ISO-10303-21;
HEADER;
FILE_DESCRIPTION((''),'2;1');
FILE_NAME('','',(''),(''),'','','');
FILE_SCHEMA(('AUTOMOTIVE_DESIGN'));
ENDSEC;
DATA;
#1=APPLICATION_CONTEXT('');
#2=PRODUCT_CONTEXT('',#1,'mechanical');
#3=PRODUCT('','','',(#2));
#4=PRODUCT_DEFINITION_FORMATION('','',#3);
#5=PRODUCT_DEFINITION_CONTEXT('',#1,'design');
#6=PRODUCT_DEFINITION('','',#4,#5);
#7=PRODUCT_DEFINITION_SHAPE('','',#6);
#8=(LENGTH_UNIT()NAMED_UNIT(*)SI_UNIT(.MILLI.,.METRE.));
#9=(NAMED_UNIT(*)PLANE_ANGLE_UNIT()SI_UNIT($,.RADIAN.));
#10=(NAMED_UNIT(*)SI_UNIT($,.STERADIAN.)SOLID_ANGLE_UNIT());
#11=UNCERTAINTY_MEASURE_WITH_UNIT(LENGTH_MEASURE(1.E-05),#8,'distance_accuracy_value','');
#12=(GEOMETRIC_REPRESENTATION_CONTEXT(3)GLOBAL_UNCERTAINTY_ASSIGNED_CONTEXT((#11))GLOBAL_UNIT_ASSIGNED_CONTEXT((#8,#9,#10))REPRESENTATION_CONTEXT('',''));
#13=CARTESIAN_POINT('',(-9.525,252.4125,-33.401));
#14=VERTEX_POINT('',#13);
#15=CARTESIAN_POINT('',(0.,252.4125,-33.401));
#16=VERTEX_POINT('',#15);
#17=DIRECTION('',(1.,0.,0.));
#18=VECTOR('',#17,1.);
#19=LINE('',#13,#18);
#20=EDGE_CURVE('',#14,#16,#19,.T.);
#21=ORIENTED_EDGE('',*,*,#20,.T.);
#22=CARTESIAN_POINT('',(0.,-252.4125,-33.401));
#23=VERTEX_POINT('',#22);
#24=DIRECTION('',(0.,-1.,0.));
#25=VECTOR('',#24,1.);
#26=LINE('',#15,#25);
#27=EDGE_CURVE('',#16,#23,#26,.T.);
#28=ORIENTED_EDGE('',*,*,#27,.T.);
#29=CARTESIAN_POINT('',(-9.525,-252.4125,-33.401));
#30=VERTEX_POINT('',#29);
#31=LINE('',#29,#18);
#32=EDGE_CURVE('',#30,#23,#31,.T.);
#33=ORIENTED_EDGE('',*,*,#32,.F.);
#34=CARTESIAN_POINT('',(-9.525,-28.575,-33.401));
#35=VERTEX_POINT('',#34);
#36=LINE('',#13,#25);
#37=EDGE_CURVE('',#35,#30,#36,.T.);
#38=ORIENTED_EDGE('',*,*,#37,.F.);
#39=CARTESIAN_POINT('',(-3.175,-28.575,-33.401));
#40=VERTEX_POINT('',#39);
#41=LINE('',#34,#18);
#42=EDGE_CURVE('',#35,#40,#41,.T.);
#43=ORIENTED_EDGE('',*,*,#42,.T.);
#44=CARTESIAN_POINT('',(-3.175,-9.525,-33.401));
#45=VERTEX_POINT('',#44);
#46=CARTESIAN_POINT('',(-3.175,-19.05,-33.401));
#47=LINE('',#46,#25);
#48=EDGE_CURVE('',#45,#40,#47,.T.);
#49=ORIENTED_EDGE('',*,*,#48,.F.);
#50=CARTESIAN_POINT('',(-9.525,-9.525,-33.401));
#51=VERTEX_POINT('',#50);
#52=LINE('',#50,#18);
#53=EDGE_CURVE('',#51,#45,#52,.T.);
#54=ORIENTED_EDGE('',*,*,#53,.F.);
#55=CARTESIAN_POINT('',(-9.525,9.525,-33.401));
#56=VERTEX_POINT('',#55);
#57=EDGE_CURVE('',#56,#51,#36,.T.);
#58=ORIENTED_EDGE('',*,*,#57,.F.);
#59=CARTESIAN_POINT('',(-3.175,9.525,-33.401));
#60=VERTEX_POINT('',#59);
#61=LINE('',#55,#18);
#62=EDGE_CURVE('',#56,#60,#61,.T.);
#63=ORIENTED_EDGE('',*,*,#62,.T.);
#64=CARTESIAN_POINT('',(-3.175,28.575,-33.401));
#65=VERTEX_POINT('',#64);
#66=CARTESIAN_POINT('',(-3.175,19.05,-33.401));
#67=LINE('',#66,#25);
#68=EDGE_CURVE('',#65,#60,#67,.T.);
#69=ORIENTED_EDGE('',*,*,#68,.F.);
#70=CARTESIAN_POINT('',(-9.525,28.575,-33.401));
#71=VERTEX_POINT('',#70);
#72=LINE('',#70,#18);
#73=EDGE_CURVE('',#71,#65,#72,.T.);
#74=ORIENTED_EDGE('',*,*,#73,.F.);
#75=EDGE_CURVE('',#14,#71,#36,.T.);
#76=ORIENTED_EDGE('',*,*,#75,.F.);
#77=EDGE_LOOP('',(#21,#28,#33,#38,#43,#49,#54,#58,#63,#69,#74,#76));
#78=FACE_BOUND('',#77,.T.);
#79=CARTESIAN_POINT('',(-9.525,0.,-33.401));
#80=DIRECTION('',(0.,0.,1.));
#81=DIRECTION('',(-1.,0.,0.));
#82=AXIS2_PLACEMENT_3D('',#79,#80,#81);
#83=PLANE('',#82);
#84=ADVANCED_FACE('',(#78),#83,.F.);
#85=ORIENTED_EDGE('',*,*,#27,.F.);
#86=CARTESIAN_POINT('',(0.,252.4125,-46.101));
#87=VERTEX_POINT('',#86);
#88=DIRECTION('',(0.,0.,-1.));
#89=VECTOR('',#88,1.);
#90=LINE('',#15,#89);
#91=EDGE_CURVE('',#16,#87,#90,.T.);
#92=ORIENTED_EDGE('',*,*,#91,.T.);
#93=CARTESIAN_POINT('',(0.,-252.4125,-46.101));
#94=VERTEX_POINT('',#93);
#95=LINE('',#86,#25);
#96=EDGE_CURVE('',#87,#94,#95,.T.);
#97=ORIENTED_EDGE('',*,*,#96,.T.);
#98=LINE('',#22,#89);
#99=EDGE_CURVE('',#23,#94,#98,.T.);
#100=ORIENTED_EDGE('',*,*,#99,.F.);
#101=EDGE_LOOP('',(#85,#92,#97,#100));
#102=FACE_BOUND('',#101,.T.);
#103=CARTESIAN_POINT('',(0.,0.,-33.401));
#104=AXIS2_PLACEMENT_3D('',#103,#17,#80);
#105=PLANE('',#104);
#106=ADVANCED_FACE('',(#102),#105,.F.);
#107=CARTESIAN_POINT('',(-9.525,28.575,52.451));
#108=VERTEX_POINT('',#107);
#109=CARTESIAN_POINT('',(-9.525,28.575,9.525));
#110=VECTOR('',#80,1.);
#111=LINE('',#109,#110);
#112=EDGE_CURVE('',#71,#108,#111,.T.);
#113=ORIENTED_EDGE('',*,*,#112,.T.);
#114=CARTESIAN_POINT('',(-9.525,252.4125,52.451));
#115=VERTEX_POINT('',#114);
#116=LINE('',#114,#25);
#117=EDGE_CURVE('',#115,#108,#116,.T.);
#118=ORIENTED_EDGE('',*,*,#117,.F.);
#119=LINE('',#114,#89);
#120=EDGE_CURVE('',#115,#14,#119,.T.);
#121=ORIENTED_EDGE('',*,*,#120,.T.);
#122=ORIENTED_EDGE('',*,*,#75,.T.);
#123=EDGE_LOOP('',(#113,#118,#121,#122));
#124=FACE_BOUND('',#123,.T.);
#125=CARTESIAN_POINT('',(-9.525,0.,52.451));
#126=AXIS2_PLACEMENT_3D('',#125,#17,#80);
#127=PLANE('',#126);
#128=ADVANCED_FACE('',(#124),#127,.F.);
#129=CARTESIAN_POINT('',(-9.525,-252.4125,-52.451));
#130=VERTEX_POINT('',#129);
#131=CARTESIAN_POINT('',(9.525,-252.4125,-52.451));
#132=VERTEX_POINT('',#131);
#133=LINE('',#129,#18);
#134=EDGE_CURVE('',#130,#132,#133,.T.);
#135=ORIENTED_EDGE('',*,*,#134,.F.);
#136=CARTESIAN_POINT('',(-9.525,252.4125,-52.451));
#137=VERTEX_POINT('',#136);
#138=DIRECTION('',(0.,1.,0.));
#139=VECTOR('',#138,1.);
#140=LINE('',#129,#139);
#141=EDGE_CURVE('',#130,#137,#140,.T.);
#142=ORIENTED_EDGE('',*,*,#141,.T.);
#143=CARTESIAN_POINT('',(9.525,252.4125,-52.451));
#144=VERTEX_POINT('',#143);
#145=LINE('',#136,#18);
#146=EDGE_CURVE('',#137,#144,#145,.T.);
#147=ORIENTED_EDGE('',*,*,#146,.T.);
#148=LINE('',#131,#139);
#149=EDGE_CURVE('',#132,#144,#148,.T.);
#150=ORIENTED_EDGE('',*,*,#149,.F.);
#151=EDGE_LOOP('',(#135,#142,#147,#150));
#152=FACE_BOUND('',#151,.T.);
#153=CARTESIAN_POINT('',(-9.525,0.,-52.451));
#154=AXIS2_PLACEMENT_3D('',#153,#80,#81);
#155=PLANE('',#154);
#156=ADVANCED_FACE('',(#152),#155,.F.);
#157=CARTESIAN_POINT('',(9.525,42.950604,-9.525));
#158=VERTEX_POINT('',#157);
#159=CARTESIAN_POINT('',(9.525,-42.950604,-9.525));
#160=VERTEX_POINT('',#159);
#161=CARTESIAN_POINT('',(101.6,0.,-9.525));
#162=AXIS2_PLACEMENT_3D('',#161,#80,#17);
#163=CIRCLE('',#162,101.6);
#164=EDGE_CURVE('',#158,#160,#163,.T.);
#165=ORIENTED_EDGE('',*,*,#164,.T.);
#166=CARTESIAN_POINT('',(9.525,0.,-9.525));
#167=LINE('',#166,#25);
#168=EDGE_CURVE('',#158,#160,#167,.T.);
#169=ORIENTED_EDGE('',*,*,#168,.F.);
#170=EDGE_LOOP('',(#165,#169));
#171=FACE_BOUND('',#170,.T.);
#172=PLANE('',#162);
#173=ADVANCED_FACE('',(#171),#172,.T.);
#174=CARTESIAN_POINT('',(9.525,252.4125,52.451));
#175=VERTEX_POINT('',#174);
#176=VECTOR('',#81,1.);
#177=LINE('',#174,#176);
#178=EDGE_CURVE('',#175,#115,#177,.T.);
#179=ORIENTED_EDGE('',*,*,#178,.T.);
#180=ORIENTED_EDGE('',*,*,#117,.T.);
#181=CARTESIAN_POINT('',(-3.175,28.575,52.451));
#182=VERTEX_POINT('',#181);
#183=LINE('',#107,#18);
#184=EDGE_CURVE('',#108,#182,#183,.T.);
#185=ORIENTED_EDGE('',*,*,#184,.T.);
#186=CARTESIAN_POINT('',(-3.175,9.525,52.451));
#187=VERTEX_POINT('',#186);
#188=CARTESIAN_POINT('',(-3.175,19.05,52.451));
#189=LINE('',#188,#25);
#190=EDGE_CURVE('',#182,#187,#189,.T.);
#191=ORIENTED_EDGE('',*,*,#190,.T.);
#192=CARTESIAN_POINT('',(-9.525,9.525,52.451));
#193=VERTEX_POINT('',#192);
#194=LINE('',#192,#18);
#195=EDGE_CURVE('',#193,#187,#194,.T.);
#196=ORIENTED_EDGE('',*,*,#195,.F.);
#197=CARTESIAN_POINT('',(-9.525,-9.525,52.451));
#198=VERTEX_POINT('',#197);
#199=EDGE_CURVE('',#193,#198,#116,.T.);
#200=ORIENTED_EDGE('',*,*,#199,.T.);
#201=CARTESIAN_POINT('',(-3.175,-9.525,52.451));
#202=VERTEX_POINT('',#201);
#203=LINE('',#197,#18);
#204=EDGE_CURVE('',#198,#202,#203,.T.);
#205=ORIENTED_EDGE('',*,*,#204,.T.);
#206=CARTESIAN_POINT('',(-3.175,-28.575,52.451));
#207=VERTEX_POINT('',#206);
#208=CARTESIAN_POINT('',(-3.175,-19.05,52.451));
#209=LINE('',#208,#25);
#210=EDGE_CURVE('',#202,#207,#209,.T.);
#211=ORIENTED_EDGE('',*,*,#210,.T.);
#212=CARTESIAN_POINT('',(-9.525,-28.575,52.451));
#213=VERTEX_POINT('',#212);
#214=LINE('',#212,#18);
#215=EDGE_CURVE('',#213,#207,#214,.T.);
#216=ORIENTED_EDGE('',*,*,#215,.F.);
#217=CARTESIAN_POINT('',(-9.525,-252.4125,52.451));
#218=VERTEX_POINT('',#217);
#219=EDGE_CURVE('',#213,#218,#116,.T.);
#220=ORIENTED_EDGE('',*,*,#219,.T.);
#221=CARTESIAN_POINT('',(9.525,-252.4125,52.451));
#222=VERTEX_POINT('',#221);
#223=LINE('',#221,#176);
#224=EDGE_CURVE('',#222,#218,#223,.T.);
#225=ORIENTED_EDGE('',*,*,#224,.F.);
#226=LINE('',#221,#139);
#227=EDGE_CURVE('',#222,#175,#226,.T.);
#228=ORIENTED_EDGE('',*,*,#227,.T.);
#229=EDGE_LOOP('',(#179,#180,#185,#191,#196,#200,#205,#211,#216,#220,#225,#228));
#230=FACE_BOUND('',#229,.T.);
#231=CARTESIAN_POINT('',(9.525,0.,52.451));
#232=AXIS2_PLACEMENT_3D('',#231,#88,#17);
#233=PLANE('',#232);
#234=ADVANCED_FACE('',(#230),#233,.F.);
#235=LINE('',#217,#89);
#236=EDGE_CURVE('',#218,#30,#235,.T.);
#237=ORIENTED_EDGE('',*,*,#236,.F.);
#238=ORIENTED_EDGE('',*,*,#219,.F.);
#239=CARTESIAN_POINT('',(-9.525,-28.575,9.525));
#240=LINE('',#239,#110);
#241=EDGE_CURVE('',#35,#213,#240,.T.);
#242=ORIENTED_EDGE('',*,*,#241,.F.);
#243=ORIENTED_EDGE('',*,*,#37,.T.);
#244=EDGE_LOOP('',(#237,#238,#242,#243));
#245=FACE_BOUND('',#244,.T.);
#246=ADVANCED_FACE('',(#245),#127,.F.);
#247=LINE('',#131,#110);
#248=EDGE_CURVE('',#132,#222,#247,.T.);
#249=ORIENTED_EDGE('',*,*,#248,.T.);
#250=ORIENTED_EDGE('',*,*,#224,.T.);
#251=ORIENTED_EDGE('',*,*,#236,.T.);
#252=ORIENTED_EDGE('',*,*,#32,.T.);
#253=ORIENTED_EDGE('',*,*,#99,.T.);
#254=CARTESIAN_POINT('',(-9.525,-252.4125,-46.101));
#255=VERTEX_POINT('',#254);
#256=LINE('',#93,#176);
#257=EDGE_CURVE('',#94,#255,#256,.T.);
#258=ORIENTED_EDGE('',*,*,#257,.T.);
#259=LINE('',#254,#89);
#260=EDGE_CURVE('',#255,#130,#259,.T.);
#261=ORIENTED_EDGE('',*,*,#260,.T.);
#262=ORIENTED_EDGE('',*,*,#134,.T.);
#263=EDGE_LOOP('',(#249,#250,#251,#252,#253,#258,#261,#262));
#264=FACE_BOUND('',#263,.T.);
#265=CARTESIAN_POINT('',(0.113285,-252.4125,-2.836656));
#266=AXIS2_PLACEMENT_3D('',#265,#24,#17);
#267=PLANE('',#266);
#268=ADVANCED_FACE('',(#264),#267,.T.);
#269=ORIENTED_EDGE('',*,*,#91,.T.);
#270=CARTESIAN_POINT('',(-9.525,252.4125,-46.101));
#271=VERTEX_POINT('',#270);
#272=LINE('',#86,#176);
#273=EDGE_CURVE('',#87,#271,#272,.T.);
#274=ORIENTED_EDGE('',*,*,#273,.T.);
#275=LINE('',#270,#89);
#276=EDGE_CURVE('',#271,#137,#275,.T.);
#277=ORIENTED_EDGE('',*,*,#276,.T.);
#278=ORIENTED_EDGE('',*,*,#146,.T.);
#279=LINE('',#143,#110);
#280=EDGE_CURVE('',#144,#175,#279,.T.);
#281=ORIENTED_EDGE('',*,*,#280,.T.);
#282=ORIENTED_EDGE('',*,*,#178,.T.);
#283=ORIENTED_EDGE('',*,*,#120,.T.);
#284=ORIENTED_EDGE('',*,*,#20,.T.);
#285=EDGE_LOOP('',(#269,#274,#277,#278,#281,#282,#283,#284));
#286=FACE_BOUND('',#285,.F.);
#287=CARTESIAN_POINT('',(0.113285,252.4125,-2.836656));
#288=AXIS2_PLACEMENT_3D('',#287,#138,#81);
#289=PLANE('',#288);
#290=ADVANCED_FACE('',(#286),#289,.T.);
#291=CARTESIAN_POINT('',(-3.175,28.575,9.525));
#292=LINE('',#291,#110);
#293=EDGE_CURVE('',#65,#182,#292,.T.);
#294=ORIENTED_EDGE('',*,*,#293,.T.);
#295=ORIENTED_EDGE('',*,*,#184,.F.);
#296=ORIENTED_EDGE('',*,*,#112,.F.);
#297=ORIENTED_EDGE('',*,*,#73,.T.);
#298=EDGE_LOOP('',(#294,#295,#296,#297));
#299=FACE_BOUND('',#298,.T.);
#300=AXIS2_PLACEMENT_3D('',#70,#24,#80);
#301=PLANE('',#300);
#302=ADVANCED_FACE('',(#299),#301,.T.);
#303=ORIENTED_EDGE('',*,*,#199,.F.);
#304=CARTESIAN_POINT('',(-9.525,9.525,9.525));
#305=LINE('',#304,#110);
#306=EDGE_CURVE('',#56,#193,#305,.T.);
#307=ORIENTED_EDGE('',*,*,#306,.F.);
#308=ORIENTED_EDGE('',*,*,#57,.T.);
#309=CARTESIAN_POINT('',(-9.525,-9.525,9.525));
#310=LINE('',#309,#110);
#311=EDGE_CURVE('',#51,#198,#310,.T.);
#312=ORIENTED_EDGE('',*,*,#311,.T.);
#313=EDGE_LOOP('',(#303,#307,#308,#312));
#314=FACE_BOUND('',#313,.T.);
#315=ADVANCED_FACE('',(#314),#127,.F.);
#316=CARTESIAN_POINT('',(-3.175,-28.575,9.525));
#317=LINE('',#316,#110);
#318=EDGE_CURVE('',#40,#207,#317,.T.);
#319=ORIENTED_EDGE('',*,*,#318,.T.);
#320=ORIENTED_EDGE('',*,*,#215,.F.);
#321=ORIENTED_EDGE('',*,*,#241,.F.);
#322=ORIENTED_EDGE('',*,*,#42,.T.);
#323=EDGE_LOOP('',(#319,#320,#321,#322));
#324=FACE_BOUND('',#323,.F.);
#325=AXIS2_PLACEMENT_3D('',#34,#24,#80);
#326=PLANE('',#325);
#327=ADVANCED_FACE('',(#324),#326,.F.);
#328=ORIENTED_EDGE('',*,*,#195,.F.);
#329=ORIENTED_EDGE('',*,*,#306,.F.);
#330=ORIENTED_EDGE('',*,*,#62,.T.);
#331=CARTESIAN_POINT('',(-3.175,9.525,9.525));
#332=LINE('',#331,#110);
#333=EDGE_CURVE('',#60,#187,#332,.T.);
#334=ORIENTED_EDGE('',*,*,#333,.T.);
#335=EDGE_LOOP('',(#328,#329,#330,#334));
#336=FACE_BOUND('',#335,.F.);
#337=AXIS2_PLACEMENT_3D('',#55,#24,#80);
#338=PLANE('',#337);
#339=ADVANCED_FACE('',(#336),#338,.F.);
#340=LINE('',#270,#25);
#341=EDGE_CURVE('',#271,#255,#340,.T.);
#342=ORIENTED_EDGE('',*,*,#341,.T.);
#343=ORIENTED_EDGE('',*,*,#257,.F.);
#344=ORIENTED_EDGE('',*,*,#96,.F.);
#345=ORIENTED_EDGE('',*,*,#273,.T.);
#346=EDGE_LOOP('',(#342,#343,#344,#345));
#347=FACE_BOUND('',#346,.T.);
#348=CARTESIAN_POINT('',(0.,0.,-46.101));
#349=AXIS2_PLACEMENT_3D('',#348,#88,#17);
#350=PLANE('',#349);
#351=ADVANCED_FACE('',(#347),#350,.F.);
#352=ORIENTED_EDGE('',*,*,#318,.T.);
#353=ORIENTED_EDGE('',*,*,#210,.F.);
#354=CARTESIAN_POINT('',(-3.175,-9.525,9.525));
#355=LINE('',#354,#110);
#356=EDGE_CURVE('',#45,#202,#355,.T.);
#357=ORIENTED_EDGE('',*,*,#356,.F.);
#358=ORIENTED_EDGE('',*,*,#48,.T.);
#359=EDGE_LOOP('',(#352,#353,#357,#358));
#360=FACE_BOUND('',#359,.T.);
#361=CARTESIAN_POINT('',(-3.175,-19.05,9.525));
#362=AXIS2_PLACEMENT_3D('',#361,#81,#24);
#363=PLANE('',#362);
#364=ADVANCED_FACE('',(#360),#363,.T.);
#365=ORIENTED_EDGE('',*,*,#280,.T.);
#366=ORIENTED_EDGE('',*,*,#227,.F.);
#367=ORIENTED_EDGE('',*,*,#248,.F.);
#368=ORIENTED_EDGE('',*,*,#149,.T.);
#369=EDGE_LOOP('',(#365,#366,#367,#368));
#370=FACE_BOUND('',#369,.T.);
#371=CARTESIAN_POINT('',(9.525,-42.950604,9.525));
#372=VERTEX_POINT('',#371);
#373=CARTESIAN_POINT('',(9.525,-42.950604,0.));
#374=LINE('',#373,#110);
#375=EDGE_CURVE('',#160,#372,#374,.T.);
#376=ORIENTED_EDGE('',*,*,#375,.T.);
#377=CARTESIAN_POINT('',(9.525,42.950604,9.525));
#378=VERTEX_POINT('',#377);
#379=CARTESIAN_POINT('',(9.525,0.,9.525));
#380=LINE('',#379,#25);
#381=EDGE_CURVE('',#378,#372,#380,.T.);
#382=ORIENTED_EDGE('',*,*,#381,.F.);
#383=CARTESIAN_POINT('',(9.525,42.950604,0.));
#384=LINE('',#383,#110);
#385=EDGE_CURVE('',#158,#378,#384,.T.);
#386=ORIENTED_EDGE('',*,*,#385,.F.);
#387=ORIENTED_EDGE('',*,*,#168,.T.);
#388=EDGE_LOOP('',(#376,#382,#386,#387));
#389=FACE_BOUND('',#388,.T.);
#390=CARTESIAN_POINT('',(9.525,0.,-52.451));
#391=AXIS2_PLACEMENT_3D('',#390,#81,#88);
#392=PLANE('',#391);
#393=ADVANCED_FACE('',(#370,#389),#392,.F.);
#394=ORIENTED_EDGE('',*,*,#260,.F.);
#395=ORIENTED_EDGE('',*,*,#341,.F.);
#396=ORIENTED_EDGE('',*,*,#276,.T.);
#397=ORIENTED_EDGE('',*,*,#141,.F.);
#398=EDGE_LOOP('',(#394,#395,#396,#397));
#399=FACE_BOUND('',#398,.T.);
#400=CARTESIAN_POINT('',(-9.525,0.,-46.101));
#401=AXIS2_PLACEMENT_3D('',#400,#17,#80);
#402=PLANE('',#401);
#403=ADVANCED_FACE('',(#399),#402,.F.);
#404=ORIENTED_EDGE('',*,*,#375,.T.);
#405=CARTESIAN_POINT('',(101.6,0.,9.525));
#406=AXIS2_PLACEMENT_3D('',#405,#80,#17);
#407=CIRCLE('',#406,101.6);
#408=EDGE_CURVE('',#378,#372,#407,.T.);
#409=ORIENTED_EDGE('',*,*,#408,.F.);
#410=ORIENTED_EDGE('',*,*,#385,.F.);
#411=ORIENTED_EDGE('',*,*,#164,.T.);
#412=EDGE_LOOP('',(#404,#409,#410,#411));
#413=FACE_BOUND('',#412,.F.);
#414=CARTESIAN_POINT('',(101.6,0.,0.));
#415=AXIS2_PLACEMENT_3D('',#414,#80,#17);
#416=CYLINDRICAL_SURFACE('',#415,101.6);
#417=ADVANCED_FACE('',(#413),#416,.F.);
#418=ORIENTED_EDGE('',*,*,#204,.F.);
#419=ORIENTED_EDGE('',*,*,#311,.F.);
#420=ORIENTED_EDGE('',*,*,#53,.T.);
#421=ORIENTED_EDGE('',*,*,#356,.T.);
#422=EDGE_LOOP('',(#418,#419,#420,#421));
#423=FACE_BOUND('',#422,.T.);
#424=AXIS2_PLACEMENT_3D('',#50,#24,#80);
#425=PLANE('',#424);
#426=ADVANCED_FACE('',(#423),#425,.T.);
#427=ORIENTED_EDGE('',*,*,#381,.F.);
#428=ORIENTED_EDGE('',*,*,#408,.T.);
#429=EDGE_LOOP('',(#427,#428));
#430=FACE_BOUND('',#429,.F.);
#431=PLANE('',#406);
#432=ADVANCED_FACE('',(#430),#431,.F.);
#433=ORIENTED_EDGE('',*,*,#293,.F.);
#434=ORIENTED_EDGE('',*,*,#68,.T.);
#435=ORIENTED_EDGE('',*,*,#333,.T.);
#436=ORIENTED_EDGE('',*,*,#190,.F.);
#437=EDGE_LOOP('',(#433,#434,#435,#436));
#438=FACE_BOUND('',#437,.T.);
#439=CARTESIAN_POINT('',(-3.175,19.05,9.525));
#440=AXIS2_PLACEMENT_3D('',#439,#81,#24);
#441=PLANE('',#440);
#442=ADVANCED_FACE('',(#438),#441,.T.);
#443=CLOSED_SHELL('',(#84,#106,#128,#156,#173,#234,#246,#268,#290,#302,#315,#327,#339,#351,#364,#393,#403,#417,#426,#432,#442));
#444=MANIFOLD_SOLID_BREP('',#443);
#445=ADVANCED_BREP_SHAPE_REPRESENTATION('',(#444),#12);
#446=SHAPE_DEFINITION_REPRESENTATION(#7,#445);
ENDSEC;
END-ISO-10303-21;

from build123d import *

# Parameters (mm, degrees)
F1_DEPTH = 252.4125
F4_R     = 101.6
F5_DEPTH = 9.525
F6_W     = 19.05
F6_H     = 85.852
F7_DEPTH = 6.35


with BuildPart() as f1:
    # F0 (on Front) → F1 (new body)
    with BuildSketch(Plane.XZ):
        Polygon((9.525, 52.451), (-9.525, 52.451), (-9.525, -33.401), (0, -33.401), (0, -46.101), (-9.525, -46.101), (-9.525, -52.451), (9.525, -52.451), align=None)
    extrude(amount=F1_DEPTH)

    # F3: F1 across plane


with BuildPart() as f1_1:
    add(f1.part)
    add(f1.part.mirror(Plane.XZ))

    # F4 (on Top) → F5 (cut, symmetric)
    with BuildSketch(Plane.XY):
        with Locations((101.6, 0)):
            Circle(F4_R)
    extrude(amount=F5_DEPTH, both=True, mode=Mode.SUBTRACT)

    # F6 (on face) → F7 (cut)
    with BuildSketch(Plane(origin=(-9.525, 0, 0), x_dir=(0, -1, 0), z_dir=(-1, 0, 0))):
        with Locations((-19.05, 9.525)):
            Rectangle(F6_W, F6_H)
        with Locations((19.05, 9.525)):
            Rectangle(F6_W, F6_H)
    extrude(amount=-F7_DEPTH, mode=Mode.SUBTRACT)


solid = f1_1.part
